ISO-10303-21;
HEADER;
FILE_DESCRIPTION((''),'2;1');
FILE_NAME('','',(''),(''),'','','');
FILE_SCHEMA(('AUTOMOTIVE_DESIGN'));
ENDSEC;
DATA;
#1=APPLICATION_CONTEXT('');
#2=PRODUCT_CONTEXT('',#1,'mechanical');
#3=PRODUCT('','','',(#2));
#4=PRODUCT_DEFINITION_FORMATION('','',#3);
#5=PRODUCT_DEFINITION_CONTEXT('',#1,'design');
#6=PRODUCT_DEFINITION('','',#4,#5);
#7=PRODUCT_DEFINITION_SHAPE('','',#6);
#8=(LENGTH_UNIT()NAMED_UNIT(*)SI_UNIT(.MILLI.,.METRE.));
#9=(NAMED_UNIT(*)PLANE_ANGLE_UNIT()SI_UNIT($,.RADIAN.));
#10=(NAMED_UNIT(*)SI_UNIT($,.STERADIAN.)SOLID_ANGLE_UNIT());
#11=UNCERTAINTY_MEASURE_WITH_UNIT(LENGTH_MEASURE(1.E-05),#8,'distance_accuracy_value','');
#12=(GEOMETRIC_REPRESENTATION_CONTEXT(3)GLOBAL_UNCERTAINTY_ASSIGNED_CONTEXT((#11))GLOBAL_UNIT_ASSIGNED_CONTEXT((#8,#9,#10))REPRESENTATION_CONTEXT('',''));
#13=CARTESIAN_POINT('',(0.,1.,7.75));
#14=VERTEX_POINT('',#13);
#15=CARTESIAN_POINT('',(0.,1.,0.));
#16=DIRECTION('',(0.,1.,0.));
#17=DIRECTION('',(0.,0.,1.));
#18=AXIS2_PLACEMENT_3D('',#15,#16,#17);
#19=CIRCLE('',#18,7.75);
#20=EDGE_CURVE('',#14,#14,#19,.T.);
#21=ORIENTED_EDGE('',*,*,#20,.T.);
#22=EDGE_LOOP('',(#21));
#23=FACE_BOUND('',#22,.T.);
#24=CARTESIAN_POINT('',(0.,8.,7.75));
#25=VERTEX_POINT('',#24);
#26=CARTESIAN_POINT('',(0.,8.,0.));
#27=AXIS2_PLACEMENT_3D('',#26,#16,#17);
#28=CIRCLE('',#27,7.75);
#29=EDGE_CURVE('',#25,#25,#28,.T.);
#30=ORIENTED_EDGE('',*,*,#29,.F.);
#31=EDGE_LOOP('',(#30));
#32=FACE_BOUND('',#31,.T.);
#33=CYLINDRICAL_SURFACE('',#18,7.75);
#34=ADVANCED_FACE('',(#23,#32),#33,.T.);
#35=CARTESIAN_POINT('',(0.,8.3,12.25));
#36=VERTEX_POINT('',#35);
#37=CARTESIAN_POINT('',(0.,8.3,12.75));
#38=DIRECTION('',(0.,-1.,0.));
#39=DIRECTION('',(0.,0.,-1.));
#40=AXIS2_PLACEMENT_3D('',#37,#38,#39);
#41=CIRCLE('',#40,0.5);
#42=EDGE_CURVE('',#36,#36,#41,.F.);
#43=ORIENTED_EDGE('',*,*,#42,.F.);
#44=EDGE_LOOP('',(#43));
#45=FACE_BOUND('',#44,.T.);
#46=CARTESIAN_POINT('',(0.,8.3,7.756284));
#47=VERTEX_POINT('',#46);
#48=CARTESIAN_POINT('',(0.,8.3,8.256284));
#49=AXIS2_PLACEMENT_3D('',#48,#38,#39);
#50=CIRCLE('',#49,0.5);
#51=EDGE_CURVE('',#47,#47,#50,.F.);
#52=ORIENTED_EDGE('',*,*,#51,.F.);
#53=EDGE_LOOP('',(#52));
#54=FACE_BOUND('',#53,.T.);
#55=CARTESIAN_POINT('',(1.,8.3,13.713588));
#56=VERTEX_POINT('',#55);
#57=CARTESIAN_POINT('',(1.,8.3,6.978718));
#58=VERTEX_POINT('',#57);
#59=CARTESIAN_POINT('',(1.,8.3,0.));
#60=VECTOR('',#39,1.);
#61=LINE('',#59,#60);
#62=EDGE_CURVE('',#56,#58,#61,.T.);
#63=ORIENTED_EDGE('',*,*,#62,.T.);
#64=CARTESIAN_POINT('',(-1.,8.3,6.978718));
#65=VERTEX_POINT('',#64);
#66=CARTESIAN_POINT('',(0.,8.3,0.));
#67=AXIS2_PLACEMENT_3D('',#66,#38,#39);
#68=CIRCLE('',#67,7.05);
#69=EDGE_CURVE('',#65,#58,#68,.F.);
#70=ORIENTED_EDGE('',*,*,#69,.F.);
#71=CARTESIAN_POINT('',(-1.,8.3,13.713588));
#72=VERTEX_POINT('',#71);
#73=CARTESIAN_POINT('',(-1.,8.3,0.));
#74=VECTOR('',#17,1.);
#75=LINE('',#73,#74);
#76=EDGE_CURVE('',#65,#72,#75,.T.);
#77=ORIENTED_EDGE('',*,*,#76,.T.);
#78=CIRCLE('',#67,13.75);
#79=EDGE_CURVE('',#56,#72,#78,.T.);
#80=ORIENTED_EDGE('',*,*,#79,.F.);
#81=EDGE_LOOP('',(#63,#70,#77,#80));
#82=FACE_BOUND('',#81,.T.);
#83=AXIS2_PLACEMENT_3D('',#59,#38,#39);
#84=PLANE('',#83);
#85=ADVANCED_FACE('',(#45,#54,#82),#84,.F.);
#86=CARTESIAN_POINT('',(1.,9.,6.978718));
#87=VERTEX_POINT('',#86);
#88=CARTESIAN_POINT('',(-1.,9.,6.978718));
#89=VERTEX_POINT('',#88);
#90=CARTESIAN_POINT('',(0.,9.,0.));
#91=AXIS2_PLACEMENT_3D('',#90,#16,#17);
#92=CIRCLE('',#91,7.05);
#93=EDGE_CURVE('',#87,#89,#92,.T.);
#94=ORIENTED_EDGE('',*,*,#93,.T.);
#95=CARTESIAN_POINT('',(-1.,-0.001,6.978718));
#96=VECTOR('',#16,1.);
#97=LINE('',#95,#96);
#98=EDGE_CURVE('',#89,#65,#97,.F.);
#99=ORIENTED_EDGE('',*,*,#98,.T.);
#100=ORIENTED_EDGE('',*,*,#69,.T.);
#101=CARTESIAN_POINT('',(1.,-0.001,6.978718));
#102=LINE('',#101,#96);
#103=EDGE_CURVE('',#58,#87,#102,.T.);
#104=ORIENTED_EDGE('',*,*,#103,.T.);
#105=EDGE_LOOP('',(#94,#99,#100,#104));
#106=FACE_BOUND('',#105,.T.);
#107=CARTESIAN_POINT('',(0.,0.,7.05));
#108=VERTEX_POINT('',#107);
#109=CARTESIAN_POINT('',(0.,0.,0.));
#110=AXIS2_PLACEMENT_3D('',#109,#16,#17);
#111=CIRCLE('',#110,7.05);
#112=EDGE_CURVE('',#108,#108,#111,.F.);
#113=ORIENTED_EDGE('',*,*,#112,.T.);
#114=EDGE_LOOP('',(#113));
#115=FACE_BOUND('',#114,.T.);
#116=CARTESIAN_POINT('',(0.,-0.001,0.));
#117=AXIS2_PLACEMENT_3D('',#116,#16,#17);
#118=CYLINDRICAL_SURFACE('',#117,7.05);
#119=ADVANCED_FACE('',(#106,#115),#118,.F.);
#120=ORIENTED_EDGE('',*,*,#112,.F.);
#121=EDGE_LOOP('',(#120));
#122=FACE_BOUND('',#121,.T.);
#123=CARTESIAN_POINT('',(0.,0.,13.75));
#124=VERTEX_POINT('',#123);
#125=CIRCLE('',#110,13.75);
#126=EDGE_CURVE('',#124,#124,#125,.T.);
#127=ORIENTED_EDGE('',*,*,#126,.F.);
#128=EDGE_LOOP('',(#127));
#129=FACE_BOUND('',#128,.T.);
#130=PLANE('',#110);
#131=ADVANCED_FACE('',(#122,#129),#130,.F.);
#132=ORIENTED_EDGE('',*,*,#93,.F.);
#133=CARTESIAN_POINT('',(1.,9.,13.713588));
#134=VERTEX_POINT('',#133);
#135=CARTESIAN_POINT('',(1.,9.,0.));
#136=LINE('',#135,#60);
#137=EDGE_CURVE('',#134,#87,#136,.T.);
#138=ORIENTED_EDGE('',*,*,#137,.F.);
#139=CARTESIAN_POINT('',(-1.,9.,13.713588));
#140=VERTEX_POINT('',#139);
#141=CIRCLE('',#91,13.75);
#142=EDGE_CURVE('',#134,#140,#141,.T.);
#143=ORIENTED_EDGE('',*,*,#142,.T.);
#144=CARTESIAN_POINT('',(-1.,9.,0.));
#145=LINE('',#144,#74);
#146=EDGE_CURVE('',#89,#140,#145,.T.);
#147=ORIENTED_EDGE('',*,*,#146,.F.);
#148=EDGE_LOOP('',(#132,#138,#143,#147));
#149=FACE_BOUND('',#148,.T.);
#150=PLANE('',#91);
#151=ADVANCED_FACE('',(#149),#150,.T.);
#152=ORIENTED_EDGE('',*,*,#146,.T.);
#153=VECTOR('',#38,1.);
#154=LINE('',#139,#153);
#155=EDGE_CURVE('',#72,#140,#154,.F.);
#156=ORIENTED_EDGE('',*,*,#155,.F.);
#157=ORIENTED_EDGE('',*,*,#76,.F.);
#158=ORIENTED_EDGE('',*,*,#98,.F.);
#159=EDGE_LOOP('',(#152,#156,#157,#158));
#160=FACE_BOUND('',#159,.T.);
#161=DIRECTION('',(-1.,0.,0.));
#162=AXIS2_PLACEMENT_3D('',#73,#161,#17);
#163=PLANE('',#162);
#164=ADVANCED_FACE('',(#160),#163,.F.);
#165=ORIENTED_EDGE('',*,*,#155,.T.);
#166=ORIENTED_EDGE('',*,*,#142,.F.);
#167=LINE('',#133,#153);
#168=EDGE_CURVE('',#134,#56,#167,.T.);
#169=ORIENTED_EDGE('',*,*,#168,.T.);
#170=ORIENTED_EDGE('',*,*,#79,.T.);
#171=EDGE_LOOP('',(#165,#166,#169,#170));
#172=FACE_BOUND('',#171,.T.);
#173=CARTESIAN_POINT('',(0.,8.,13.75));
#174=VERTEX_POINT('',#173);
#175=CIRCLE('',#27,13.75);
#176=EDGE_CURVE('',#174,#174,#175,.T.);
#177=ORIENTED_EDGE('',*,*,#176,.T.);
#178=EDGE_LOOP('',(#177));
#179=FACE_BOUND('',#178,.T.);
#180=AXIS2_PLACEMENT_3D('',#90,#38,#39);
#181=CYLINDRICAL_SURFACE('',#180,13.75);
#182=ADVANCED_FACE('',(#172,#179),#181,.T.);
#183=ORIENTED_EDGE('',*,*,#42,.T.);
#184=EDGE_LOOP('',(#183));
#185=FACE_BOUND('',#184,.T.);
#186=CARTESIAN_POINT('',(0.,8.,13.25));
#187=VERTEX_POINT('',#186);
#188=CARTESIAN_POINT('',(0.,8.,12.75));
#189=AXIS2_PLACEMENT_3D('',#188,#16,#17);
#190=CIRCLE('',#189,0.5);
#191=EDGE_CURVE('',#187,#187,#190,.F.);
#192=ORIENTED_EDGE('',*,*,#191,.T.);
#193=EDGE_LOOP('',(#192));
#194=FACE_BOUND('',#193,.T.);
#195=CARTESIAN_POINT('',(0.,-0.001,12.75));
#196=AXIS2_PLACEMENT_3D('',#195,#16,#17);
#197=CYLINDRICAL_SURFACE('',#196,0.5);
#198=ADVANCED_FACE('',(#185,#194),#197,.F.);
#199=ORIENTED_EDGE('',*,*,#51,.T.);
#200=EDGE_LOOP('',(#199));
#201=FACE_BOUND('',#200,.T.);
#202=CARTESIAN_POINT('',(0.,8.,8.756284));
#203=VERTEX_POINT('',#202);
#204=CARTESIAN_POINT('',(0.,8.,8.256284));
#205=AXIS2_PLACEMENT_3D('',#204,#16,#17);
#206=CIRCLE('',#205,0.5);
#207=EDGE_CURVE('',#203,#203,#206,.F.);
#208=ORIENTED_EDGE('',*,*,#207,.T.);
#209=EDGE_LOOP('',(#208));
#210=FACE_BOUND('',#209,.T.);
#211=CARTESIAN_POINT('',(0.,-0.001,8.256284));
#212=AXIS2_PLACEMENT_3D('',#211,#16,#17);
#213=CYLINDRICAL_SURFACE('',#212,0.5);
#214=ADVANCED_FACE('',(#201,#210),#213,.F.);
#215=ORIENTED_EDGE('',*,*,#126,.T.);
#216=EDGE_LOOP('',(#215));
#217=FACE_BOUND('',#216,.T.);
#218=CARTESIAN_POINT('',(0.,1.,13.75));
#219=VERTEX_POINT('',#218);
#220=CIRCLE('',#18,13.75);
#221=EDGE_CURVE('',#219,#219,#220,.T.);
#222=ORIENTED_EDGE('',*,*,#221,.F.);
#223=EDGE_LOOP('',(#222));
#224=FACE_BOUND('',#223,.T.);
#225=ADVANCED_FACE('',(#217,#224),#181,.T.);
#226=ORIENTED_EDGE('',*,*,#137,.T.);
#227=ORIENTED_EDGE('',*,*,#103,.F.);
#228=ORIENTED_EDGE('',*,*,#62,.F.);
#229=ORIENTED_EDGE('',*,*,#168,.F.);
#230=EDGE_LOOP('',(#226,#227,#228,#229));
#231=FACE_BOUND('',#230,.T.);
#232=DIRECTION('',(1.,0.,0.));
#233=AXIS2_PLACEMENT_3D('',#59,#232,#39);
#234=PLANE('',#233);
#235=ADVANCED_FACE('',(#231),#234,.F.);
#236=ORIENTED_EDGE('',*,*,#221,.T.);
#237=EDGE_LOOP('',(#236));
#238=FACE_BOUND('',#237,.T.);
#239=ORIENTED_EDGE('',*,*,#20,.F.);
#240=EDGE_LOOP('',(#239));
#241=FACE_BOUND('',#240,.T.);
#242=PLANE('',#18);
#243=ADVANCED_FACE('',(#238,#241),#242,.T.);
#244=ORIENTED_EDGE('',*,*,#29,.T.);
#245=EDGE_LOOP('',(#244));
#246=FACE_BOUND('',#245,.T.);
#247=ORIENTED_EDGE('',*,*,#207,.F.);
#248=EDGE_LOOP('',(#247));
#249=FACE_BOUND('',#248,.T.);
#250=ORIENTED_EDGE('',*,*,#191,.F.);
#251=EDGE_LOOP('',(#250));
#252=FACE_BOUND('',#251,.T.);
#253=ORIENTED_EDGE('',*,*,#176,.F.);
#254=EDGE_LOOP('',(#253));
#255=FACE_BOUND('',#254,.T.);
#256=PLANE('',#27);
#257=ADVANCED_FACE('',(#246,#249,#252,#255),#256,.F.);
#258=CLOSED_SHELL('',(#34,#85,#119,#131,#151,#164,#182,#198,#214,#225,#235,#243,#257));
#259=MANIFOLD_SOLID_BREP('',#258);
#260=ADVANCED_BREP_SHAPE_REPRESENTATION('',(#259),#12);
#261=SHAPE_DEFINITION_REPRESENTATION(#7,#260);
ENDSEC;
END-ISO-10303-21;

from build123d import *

# Parameters (mm, degrees)
ESQUISSE1_R             = 13.75
BOSS_EXTRU_1_DEPTH      = 9
ENL_V_START             = -1
ESQUISSE2_OUTSIDE_W     = 37.484
ESQUISSE2_OUTSIDE_H     = 37.484
ESQUISSE2_OUTSIDE_R     = 7.75
ENL_V_MAT_EXTRU_1_DEPTH = 7
ENL_V_MAT_EXTRU_2_REACH = 11
ESQUISSE3_R             = 7.05
ENL_V_MAT_EXTRU_3_REACH = 11
ESQUISSE4_R             = 0.5
ESQUISSE5_W             = 2
ESQUISSE5_H             = 15.584719065
ENL_V_MAT_EXTRU_4_DEPTH = 0.7


with BuildPart() as part:
    # Esquisse1 → Boss.-Extru.1 (new body)
    with BuildSketch(Plane(origin=(0, 0, 0), x_dir=(1, 0, 0), z_dir=(0, 1, 0))):
        with Locations(Location((0, 0, 0), (0, 0, 270))):  # turned: the seam where the file's is
            Circle(ESQUISSE1_R)
    extrude(amount=BOSS_EXTRU_1_DEPTH)

    # Esquisse2 outside → Enlèv. mat.-Extru.1 (cut)
    with BuildSketch(Plane(origin=(0, 9, 0), x_dir=(-1, 0, 0), z_dir=(0, 1, 0)).offset(ENL_V_START)):
        Rectangle(ESQUISSE2_OUTSIDE_W, ESQUISSE2_OUTSIDE_H)
        with Locations(Location((0, 0, 0), (0, 0, 90))):  # turned: the seam where the file's is
            Circle(ESQUISSE2_OUTSIDE_R, mode=Mode.SUBTRACT)
    extrude(amount=-ENL_V_MAT_EXTRU_1_DEPTH, mode=Mode.SUBTRACT)

    # Esquisse3 → Enlèv. mat.-Extru.2 (cut, up to next)
    with BuildSketch(Plane(origin=(0, 9, 0), x_dir=(-1, 0, 0), z_dir=(0, 1, 0)), mode=Mode.PRIVATE) as enl_v_mat_extru_2_sk1:
        with Locations(Location((0, 0, 0), (0, 0, 90))):  # turned: the seam where the file's is
            Circle(ESQUISSE3_R)
    enl_v_mat_extru_2_tool1 = extrude(enl_v_mat_extru_2_sk1.sketch, amount=-ENL_V_MAT_EXTRU_2_REACH, mode=Mode.PRIVATE) & part.part
    add(enl_v_mat_extru_2_tool1.solids().sort_by_distance((0, 9, 0))[0], mode=Mode.SUBTRACT)

    # Esquisse4 → Enlèv. mat.-Extru.3 (cut, up to next)
    with BuildSketch(Plane(origin=(0, 9, 0), x_dir=(-1, 0, 0), z_dir=(0, 1, 0)), mode=Mode.PRIVATE) as enl_v_mat_extru_3_sk1:
        with Locations(Location((0, 8.256283794, 0), (0, 0, 90))):  # turned: the seam where the file's is
            Circle(ESQUISSE4_R)
    enl_v_mat_extru_3_tool1 = extrude(enl_v_mat_extru_3_sk1.sketch, amount=-ENL_V_MAT_EXTRU_3_REACH, mode=Mode.PRIVATE) & part.part
    add(enl_v_mat_extru_3_tool1.solids().sort_by_distance((0, 9, 8.256284))[0], mode=Mode.SUBTRACT)
    # Esquisse4 → Enlèv. mat.-Extru.3 (cut, up to next)
    with BuildSketch(Plane(origin=(0, 9, 0), x_dir=(-1, 0, 0), z_dir=(0, 1, 0)), mode=Mode.PRIVATE) as enl_v_mat_extru_3_sk2:
        with Locations(Location((0, 12.75, 0), (0, 0, 90))):  # turned: the seam where the file's is
            Circle(ESQUISSE4_R)
    enl_v_mat_extru_3_tool2 = extrude(enl_v_mat_extru_3_sk2.sketch, amount=-ENL_V_MAT_EXTRU_3_REACH, mode=Mode.PRIVATE) & part.part
    add(enl_v_mat_extru_3_tool2.solids().sort_by_distance((0, 9, 12.75))[0], mode=Mode.SUBTRACT)

    # Esquisse5 → Enlèv. mat.-Extru.4 (cut)
    with BuildSketch(Plane(origin=(0, 9, 0), x_dir=(-1, 0, 0), z_dir=(0, 1, 0))):
        with Locations((0, 7.792359533)):
            Rectangle(ESQUISSE5_W, ESQUISSE5_H)
    extrude(amount=-ENL_V_MAT_EXTRU_4_DEPTH, mode=Mode.SUBTRACT)


solid = part.part
